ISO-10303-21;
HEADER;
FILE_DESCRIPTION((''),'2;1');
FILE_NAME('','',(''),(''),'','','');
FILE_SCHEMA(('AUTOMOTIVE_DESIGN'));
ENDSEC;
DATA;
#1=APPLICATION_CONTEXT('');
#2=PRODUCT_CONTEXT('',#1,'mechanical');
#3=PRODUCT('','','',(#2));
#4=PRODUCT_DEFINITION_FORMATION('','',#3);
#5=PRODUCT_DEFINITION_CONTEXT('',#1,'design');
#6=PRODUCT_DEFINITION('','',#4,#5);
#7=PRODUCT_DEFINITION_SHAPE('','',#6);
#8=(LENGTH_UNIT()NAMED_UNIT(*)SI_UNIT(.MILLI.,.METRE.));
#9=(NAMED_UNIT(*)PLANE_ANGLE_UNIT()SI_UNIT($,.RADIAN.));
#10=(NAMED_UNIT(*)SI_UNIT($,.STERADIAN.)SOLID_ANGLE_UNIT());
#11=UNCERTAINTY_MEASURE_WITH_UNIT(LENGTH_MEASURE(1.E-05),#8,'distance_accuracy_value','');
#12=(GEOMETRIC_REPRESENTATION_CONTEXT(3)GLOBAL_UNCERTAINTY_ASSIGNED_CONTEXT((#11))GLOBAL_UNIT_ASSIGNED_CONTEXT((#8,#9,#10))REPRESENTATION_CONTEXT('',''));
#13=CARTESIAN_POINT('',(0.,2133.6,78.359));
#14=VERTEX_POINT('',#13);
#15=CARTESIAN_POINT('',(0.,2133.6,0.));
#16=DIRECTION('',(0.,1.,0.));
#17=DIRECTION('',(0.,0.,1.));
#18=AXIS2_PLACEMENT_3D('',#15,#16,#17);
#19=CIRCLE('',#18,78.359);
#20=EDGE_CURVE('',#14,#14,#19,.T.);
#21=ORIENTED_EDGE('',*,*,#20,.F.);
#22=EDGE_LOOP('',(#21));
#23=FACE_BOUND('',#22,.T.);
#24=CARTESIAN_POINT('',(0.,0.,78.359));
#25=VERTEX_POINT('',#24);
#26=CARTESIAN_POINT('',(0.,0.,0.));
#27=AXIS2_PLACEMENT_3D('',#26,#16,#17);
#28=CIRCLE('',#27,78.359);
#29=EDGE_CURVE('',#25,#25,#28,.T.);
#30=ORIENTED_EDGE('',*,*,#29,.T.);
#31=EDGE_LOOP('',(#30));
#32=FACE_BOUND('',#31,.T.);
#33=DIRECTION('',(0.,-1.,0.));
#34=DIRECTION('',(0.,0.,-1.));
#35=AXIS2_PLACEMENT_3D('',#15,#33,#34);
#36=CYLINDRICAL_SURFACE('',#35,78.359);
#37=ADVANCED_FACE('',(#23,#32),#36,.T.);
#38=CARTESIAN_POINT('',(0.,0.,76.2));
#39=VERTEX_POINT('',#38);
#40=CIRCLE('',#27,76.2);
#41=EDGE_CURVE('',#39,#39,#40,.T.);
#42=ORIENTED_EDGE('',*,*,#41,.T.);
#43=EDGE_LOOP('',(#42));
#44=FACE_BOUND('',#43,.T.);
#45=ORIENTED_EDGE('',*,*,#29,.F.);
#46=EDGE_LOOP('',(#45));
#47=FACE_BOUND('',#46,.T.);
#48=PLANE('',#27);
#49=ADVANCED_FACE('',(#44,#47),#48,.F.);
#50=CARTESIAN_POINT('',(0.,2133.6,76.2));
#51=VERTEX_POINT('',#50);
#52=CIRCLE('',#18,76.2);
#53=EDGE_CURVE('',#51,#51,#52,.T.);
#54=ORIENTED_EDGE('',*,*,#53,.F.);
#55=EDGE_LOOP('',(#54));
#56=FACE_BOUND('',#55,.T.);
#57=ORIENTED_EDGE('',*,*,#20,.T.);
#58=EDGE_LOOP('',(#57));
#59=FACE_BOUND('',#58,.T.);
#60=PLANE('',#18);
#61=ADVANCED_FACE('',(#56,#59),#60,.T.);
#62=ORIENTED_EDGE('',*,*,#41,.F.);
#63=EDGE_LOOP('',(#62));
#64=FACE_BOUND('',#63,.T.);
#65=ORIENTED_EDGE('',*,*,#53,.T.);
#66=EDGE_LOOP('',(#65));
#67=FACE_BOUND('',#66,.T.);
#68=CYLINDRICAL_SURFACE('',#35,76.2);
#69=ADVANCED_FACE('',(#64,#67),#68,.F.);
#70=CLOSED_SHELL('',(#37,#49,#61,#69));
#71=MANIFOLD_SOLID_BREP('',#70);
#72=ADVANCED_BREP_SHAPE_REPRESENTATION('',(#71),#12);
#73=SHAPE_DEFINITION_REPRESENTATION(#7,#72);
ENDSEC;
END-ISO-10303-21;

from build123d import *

# Parameters (mm, degrees)
SKETCH2_R           = 78.359
SKETCH2_R_2         = 76.2
BOSS_EXTRUDE1_DEPTH = 2133.6


with BuildPart() as part:
    # Sketch2 → Boss-Extrude1 (new body)
    with BuildSketch(Plane(origin=(0, 0, 0), x_dir=(1, 0, 0), z_dir=(0, 1, 0))):
        with Locations(Location((0, 0, 0), (0, 0, 270))):
            Circle(SKETCH2_R)
        with Locations(Location((0, 0, 0), (0, 0, 270))):
            Circle(SKETCH2_R_2, mode=Mode.SUBTRACT)
    extrude(amount=BOSS_EXTRUDE1_DEPTH)


solid = part.part
